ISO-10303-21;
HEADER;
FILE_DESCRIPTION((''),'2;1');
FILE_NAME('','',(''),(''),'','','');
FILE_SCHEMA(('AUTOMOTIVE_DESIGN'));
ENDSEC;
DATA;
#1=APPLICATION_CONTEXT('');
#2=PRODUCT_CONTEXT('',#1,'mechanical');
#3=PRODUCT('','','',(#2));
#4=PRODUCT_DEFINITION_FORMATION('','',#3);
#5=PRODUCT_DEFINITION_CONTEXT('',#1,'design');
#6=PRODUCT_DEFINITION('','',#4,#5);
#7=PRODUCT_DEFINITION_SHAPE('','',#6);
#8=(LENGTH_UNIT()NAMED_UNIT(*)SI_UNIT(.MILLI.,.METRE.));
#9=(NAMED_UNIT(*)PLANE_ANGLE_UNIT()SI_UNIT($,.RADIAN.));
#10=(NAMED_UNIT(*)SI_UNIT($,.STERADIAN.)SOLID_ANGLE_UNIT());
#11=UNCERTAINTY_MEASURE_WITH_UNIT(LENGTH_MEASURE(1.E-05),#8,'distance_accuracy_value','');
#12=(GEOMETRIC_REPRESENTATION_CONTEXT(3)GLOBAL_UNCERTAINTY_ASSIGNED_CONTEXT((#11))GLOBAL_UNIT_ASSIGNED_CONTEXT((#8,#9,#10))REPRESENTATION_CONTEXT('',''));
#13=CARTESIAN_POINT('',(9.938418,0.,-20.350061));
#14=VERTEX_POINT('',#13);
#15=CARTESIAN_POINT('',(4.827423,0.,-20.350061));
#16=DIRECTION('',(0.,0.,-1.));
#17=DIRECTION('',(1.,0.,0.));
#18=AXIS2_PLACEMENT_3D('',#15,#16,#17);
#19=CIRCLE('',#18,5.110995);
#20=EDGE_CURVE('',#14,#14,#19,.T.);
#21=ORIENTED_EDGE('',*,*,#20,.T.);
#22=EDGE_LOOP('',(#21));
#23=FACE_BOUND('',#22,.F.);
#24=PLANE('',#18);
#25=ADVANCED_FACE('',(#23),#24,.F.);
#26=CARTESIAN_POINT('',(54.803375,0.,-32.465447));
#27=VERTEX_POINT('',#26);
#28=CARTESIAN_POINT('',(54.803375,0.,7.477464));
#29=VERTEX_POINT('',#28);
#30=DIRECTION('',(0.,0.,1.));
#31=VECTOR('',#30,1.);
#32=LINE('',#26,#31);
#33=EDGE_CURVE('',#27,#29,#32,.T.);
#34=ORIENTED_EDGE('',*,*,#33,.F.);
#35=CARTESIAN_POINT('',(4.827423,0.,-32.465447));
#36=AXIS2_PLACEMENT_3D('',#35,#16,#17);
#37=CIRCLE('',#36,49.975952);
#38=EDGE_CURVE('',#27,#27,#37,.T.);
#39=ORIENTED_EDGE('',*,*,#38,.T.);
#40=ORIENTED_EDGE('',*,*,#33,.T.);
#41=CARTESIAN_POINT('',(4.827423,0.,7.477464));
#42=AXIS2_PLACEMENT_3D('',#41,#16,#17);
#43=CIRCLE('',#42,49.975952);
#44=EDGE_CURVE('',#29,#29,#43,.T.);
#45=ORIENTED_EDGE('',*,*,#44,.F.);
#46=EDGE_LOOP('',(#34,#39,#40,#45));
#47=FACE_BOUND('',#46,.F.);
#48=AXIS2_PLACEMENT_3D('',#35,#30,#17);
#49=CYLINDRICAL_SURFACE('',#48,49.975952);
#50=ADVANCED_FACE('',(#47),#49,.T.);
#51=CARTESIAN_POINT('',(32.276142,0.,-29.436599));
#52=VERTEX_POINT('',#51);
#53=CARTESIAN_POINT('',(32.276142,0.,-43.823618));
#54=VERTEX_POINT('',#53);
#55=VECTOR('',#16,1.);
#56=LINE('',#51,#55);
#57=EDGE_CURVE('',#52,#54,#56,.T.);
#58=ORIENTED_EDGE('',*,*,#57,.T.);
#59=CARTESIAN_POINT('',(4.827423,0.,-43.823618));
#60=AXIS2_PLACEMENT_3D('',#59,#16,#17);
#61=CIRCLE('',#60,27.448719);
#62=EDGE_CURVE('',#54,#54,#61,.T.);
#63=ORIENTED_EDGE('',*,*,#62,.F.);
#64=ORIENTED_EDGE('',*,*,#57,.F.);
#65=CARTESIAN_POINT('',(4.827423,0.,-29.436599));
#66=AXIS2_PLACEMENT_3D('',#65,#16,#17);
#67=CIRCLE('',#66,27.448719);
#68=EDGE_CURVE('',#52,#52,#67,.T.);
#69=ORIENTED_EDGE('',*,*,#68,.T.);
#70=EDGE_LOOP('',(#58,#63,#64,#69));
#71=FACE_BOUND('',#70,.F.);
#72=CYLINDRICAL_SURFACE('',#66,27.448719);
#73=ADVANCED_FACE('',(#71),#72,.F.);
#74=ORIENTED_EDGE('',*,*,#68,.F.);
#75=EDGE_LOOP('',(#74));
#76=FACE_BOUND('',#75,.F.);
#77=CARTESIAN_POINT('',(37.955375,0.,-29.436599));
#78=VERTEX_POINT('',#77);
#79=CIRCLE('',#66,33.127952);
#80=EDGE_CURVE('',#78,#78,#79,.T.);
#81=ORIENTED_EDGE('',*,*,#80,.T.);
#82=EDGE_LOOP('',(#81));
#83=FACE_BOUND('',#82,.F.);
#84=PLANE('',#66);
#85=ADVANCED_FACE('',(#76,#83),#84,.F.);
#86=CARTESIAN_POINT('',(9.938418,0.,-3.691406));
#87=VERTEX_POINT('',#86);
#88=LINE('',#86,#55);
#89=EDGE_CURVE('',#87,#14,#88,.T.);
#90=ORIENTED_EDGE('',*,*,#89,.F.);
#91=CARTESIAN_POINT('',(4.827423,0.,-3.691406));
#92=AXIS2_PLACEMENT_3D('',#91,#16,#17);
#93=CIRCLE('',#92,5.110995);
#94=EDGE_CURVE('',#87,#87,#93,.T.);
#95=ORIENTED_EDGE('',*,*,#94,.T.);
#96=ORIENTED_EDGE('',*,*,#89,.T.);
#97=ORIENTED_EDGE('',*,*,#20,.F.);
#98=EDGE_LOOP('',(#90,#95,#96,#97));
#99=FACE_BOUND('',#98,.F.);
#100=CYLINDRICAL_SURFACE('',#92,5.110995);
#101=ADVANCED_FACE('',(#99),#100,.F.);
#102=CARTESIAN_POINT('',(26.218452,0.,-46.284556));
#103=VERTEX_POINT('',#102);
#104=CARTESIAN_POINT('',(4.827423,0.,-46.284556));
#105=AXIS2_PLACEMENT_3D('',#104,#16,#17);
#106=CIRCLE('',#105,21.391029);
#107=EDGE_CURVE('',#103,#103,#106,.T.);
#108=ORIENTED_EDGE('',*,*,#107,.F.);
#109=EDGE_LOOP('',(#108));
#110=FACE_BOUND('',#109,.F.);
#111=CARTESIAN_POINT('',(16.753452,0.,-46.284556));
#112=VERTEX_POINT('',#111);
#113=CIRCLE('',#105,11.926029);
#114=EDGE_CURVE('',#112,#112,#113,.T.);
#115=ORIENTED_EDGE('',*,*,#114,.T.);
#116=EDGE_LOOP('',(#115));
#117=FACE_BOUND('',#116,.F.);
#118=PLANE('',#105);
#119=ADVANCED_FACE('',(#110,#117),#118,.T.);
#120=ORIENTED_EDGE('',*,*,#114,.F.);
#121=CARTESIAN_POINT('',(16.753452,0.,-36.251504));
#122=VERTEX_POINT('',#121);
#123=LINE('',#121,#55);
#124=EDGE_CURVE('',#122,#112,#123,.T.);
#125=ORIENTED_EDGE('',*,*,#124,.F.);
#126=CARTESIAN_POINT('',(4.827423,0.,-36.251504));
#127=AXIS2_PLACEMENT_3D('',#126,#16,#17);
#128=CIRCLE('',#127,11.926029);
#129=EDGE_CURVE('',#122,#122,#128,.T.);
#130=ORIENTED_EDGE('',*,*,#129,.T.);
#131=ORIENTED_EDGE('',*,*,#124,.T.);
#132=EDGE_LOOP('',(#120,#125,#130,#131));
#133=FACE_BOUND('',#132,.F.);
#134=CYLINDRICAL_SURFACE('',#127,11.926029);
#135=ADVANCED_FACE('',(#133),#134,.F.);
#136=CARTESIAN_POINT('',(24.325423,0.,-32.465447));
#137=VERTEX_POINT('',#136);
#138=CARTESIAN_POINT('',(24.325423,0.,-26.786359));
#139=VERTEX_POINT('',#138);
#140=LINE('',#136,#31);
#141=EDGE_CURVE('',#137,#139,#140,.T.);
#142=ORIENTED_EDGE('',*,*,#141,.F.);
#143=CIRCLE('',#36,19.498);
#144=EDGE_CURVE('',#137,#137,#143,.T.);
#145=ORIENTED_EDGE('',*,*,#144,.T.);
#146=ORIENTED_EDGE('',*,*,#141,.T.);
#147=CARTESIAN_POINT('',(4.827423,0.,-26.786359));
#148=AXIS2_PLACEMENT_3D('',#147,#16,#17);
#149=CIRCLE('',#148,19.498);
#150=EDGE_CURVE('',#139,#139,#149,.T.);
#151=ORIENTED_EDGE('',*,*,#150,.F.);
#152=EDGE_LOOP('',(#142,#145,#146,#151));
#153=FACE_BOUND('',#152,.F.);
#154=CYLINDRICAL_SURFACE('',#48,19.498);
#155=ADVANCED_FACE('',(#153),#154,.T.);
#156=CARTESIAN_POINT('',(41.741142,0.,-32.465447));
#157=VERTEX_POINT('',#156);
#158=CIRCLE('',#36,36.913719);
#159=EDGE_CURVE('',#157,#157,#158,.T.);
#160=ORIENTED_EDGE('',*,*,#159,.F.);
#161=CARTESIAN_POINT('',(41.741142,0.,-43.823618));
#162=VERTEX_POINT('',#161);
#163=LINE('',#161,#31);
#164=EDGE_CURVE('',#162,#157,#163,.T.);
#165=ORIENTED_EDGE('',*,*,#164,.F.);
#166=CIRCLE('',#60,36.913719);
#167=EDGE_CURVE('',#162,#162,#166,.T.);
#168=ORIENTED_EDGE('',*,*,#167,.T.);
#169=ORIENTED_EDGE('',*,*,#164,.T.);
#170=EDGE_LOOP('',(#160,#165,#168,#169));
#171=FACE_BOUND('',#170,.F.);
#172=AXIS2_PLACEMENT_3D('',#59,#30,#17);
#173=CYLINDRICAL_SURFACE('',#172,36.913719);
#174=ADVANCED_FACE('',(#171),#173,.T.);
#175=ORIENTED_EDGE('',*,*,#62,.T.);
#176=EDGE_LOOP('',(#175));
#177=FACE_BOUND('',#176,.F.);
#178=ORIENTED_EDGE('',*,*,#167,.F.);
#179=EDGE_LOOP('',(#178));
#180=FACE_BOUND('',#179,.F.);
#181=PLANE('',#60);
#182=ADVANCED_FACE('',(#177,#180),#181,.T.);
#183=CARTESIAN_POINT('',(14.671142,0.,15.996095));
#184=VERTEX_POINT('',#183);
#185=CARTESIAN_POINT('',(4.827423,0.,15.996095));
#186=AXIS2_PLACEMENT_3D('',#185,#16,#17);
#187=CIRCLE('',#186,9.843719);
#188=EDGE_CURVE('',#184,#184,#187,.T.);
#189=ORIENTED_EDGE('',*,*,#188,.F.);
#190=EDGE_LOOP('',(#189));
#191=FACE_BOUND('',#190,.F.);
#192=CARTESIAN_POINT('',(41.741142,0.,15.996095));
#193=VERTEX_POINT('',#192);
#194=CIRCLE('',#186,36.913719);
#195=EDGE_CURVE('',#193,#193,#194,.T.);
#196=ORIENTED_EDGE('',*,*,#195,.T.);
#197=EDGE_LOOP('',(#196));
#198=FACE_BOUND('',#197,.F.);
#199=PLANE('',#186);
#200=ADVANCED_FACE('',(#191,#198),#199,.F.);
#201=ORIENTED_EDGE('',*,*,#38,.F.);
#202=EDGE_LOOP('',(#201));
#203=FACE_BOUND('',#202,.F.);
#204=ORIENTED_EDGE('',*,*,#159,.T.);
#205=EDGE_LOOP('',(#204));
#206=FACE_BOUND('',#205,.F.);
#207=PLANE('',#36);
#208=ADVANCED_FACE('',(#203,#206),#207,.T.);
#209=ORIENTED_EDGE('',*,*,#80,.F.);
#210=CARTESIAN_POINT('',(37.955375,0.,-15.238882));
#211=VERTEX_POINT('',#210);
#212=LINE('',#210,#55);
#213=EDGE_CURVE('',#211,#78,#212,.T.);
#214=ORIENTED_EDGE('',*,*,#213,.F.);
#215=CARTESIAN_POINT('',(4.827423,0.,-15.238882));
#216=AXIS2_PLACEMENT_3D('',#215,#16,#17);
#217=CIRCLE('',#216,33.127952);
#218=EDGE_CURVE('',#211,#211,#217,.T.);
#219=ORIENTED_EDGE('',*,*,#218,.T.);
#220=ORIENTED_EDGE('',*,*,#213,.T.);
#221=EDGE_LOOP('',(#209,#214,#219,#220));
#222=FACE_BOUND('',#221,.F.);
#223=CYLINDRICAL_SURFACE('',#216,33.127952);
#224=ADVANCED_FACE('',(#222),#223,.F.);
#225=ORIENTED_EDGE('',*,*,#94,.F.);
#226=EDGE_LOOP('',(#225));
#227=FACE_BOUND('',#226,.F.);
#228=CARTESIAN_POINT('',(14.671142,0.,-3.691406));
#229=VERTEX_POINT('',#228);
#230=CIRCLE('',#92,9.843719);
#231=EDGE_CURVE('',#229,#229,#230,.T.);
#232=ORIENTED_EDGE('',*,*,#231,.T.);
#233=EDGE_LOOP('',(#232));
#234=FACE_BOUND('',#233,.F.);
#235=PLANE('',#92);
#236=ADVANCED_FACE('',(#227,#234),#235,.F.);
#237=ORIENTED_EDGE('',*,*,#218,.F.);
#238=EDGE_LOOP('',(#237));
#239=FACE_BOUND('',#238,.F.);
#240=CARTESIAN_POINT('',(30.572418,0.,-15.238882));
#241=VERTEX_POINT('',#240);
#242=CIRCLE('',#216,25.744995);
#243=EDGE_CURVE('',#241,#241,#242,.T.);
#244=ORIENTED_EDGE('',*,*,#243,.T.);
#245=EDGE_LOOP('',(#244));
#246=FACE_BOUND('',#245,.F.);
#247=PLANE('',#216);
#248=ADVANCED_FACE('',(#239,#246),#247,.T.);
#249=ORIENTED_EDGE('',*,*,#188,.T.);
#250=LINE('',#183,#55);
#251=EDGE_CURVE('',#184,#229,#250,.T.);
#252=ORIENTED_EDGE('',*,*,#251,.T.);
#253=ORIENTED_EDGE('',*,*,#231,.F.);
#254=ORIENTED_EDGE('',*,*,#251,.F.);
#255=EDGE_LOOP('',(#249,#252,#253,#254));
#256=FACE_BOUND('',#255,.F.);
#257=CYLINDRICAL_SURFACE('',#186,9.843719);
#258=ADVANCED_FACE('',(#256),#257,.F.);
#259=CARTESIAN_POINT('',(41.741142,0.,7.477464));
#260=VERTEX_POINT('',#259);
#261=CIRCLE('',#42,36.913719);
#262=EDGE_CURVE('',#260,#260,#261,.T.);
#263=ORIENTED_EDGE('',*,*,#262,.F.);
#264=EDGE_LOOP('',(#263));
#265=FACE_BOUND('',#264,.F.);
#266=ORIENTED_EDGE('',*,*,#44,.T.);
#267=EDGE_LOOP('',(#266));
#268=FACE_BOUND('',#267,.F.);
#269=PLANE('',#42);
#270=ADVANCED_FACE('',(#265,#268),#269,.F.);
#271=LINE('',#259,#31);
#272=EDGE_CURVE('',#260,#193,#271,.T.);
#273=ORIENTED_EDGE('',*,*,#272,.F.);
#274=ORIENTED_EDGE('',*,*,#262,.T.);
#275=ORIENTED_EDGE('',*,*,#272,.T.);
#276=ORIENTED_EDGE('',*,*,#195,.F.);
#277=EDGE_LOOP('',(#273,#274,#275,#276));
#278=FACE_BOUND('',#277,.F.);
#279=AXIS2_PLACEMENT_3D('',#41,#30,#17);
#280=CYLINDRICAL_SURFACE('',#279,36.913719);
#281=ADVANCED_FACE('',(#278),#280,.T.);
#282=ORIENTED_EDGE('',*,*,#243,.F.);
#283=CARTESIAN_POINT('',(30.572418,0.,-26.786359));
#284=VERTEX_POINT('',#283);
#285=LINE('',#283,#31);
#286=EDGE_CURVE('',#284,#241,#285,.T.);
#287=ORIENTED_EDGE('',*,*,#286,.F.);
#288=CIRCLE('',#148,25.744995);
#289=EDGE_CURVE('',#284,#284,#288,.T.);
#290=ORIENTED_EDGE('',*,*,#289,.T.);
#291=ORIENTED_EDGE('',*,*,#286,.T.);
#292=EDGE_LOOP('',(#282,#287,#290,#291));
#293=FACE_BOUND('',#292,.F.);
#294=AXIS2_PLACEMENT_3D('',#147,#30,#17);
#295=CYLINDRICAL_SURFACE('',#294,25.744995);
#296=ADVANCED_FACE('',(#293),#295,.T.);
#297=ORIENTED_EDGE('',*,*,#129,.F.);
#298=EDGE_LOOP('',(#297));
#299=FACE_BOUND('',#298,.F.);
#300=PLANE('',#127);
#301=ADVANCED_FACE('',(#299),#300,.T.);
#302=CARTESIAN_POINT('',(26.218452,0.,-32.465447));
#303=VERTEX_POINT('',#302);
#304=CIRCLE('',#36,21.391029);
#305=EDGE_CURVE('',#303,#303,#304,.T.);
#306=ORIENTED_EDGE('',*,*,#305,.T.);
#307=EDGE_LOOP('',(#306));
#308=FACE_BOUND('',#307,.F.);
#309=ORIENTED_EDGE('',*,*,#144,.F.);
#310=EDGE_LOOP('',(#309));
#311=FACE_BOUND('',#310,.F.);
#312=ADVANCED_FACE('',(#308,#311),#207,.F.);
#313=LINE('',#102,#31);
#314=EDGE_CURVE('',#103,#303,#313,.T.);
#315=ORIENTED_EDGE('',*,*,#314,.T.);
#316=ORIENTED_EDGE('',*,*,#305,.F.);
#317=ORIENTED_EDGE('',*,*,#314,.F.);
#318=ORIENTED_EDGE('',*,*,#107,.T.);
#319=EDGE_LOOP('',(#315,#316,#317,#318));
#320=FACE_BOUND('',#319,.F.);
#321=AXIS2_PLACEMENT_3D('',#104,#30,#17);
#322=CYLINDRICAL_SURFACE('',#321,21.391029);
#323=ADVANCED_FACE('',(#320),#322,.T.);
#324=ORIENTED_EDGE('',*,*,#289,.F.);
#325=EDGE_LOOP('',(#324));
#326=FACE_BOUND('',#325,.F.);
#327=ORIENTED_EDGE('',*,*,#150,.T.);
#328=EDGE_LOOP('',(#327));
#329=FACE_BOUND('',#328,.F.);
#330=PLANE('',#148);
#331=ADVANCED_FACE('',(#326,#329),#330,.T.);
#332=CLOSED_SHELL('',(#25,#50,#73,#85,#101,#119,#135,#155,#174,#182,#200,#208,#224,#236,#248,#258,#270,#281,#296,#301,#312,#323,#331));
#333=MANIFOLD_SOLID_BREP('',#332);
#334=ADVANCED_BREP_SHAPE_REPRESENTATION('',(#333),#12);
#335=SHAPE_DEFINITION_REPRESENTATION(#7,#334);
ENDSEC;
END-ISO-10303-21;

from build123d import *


with BuildPart() as f1:
    # F0 (on Front) → F1 (revolve)
    with BuildSketch(Plane.XZ):
        Polygon((41.741142, 15.996095), (14.671142, 15.996095), (14.671142, -3.691406), (9.938418, -3.691406), (9.938418, -20.350061), (4.827423, -20.350061), (4.827423, -36.251504), (16.753452, -36.251504), (16.753452, -46.284556), (26.218452, -46.284556), (26.218452, -32.465447), (24.325423, -32.465447), (24.325423, -26.786359), (30.572418, -26.786359), (30.572418, -15.238882), (37.955375, -15.238882), (37.955375, -29.436599), (32.276142, -29.436599), (32.276142, -43.823618), (41.741142, -43.823618), (41.741142, -32.465447), (54.803375, -32.465447), (54.803375, 7.477464), (41.741142, 7.477464), align=None)
    revolve(axis=Axis((4.827423, 0, -28.300783), (0, 0, -1)))


solid = f1.part
